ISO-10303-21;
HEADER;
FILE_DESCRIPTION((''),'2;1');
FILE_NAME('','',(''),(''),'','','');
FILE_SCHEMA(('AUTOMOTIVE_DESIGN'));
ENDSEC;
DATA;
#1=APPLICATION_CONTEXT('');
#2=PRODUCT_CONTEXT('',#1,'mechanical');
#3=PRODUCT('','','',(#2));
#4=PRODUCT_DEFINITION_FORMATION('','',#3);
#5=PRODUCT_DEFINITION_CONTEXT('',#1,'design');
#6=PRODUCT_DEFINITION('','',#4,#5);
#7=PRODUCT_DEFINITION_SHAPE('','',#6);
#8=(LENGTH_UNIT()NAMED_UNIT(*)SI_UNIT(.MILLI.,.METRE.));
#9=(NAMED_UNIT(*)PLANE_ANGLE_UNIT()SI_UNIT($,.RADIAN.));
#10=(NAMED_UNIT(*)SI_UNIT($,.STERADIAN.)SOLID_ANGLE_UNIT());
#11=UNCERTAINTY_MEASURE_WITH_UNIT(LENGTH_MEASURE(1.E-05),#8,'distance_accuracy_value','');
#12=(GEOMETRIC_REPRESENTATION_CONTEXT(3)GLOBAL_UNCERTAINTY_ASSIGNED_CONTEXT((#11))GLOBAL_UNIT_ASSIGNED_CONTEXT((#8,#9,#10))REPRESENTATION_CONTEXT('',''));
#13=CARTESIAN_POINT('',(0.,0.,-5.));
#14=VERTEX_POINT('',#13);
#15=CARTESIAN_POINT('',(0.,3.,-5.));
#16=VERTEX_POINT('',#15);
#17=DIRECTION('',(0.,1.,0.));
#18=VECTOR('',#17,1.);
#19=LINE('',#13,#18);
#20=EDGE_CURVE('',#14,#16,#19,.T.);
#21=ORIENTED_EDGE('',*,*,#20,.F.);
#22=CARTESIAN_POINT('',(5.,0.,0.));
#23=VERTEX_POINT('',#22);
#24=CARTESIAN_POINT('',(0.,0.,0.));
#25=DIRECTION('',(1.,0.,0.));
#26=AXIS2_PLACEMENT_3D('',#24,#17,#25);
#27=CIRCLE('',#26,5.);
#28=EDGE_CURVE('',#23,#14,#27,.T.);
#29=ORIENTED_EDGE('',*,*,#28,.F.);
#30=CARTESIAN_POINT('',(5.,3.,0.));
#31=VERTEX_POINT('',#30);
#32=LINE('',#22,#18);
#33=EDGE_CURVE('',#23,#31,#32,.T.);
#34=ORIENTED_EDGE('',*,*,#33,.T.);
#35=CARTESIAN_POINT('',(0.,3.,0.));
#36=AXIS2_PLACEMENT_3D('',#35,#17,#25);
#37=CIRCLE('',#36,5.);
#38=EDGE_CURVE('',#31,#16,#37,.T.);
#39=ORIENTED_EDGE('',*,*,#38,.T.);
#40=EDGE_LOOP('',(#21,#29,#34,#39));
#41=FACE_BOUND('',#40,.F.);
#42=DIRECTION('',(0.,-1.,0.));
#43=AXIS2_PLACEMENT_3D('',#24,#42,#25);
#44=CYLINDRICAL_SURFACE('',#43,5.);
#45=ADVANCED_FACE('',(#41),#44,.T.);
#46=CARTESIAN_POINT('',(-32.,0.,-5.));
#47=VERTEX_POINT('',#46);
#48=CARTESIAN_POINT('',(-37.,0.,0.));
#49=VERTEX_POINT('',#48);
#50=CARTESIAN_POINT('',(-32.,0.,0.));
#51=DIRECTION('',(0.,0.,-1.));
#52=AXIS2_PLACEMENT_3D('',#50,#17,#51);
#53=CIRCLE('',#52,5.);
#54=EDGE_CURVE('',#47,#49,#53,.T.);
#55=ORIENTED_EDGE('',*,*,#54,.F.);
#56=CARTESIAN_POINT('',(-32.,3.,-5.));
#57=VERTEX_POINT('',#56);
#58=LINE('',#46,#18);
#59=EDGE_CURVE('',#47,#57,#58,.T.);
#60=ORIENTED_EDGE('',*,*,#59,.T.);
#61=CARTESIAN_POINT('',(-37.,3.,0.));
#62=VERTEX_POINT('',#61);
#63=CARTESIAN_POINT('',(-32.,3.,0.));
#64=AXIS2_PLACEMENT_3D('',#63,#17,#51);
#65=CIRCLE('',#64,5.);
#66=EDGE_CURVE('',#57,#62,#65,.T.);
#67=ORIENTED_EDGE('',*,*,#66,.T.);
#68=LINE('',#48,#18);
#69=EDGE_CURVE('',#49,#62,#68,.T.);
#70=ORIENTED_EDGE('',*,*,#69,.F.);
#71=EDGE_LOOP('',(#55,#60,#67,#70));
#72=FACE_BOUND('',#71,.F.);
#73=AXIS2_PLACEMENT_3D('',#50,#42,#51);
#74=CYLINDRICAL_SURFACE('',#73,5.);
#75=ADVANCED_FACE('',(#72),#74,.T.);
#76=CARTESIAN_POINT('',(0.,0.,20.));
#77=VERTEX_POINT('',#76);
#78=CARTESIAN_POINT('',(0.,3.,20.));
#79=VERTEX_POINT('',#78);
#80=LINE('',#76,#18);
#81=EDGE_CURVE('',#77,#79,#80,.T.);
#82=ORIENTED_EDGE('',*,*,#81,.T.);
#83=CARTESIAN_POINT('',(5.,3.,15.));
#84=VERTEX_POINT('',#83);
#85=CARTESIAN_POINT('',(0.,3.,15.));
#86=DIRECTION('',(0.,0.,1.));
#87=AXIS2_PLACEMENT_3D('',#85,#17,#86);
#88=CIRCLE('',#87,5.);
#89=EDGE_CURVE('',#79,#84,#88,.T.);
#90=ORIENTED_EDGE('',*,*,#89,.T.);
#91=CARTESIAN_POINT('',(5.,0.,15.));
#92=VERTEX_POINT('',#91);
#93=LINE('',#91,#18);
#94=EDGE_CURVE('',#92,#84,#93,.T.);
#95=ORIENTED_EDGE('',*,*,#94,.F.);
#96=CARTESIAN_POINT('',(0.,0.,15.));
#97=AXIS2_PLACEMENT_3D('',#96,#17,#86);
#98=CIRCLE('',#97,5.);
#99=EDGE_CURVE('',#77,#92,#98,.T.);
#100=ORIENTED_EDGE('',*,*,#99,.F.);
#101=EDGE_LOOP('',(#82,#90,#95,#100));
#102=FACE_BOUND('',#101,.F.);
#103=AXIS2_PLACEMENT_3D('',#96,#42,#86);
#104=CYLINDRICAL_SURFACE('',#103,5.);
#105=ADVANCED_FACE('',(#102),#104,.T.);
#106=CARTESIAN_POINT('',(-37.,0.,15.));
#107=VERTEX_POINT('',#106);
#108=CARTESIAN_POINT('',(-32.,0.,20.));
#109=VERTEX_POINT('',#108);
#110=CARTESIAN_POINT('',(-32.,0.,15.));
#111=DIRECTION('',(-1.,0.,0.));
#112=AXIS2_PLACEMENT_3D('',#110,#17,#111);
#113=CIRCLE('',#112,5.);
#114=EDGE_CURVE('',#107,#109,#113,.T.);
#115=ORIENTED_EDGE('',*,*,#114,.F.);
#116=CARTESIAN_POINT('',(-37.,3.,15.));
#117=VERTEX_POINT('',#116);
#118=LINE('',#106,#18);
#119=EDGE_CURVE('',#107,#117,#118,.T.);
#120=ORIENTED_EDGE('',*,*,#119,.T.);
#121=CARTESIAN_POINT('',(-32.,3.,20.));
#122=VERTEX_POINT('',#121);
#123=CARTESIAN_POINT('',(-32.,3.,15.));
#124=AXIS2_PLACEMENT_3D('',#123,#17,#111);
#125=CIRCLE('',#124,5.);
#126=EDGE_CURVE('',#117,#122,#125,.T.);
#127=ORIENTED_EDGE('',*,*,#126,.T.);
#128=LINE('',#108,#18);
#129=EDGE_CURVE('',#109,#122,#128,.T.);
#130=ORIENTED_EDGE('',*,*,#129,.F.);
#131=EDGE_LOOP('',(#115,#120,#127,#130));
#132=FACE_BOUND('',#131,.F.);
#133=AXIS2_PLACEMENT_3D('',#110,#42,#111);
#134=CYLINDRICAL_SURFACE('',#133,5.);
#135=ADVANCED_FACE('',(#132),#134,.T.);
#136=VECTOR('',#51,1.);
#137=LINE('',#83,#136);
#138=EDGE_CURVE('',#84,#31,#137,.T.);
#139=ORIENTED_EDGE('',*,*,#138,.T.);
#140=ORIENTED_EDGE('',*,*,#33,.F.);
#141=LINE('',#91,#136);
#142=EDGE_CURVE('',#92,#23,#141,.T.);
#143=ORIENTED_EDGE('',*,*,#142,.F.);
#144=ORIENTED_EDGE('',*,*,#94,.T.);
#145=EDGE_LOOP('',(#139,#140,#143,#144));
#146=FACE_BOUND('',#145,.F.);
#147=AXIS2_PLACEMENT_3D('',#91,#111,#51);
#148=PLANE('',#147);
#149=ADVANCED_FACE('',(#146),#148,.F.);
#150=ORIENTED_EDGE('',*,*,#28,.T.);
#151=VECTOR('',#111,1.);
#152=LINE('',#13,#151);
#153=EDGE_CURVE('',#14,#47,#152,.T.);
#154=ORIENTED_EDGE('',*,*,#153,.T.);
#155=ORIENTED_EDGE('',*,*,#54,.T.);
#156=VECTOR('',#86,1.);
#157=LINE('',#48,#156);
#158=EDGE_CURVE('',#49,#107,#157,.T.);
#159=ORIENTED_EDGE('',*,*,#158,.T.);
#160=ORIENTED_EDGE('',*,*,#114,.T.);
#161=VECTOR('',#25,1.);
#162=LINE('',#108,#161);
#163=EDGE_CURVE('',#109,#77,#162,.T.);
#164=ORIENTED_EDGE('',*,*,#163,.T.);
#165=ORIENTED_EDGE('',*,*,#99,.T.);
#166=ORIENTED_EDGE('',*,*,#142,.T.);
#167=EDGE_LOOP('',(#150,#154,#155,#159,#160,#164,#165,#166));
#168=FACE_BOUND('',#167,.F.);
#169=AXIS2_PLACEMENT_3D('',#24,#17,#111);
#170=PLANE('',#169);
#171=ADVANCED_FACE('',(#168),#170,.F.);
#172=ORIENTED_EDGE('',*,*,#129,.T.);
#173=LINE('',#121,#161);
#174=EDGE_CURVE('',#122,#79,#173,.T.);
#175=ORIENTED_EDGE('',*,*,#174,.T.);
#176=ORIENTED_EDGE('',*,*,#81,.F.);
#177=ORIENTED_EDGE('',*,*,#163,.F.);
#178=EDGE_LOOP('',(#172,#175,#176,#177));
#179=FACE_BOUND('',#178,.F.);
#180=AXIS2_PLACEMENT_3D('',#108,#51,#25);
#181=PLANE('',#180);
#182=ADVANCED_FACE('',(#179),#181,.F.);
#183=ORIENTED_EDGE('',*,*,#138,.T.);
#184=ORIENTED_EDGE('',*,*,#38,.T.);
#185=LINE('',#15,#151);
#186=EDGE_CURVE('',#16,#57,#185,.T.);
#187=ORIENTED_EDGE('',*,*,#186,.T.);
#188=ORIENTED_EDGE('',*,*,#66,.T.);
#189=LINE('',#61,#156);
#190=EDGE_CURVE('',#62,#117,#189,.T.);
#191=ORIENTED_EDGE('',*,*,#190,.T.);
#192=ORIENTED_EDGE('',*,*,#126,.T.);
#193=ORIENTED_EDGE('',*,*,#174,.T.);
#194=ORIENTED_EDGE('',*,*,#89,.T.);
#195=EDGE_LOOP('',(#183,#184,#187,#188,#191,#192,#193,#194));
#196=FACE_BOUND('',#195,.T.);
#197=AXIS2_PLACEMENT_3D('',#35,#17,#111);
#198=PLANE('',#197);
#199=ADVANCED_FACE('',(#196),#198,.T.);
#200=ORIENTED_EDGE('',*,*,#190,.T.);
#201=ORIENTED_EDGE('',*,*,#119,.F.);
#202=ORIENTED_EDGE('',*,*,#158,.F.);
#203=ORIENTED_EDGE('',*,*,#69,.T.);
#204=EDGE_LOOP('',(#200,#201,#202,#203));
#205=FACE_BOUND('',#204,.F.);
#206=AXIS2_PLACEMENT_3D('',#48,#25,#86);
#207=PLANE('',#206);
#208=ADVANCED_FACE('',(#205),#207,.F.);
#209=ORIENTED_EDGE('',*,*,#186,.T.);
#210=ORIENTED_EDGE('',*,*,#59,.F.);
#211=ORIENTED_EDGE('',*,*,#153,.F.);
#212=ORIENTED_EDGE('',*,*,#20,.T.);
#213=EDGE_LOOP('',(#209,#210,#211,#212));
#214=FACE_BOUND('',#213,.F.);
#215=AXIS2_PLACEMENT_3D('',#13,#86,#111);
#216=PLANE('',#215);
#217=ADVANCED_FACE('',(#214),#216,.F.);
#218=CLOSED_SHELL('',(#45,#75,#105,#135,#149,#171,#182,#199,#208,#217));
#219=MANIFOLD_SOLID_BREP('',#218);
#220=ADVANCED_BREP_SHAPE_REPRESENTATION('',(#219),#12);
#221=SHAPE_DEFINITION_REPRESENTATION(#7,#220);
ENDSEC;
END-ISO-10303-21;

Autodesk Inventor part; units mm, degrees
ref_plane "YZ Plane" through (0, 0, 0) normal (1, 0, 0) x (0, 1, 0)
ref_plane "XZ Plane" through (0, 0, 0) normal (0, 1, 0) x (-1, 0, 0)
ref_plane "XY Plane" through (0, 0, 0) normal (0, 0, 1) x (1, 0, 0)
sketch "Sketch1" plane through (0, 0, 0) normal (0, 1, 0) x (-1, 0, 0)
  line L0 (0, -5) -> (32, -5)
  line L1 (37, 0) -> (37, 15)
  line L2 (32, 20) -> (0, 20)
  line L3 (-5, 15) -> (-5, 0)
  arc A0 (0, 20) -> (-5, 15) centre (0, 15) ccw
  arc A1 (37, 15) -> (32, 20) centre (32, 15) ccw
  arc A2 (32, -5) -> (37, 0) centre (32, 0) ccw
  arc A3 (-5, 0) -> (0, -5) centre (0, 0) ccw
  point P0 (0, 0)
  point P1 (-5, -5)
  point P2 (37, -5)
  point P3 (-5, 20)
  dimension "d0" = 5
  dimension "d1" = 42
  dimension "d2" = 25
  dimension "d3" = 5
  dimension "d4" = 5
extrude "Extrusion1" add sketch "Sketch1" along normal blind 3
properties part number "Bottom Block"
